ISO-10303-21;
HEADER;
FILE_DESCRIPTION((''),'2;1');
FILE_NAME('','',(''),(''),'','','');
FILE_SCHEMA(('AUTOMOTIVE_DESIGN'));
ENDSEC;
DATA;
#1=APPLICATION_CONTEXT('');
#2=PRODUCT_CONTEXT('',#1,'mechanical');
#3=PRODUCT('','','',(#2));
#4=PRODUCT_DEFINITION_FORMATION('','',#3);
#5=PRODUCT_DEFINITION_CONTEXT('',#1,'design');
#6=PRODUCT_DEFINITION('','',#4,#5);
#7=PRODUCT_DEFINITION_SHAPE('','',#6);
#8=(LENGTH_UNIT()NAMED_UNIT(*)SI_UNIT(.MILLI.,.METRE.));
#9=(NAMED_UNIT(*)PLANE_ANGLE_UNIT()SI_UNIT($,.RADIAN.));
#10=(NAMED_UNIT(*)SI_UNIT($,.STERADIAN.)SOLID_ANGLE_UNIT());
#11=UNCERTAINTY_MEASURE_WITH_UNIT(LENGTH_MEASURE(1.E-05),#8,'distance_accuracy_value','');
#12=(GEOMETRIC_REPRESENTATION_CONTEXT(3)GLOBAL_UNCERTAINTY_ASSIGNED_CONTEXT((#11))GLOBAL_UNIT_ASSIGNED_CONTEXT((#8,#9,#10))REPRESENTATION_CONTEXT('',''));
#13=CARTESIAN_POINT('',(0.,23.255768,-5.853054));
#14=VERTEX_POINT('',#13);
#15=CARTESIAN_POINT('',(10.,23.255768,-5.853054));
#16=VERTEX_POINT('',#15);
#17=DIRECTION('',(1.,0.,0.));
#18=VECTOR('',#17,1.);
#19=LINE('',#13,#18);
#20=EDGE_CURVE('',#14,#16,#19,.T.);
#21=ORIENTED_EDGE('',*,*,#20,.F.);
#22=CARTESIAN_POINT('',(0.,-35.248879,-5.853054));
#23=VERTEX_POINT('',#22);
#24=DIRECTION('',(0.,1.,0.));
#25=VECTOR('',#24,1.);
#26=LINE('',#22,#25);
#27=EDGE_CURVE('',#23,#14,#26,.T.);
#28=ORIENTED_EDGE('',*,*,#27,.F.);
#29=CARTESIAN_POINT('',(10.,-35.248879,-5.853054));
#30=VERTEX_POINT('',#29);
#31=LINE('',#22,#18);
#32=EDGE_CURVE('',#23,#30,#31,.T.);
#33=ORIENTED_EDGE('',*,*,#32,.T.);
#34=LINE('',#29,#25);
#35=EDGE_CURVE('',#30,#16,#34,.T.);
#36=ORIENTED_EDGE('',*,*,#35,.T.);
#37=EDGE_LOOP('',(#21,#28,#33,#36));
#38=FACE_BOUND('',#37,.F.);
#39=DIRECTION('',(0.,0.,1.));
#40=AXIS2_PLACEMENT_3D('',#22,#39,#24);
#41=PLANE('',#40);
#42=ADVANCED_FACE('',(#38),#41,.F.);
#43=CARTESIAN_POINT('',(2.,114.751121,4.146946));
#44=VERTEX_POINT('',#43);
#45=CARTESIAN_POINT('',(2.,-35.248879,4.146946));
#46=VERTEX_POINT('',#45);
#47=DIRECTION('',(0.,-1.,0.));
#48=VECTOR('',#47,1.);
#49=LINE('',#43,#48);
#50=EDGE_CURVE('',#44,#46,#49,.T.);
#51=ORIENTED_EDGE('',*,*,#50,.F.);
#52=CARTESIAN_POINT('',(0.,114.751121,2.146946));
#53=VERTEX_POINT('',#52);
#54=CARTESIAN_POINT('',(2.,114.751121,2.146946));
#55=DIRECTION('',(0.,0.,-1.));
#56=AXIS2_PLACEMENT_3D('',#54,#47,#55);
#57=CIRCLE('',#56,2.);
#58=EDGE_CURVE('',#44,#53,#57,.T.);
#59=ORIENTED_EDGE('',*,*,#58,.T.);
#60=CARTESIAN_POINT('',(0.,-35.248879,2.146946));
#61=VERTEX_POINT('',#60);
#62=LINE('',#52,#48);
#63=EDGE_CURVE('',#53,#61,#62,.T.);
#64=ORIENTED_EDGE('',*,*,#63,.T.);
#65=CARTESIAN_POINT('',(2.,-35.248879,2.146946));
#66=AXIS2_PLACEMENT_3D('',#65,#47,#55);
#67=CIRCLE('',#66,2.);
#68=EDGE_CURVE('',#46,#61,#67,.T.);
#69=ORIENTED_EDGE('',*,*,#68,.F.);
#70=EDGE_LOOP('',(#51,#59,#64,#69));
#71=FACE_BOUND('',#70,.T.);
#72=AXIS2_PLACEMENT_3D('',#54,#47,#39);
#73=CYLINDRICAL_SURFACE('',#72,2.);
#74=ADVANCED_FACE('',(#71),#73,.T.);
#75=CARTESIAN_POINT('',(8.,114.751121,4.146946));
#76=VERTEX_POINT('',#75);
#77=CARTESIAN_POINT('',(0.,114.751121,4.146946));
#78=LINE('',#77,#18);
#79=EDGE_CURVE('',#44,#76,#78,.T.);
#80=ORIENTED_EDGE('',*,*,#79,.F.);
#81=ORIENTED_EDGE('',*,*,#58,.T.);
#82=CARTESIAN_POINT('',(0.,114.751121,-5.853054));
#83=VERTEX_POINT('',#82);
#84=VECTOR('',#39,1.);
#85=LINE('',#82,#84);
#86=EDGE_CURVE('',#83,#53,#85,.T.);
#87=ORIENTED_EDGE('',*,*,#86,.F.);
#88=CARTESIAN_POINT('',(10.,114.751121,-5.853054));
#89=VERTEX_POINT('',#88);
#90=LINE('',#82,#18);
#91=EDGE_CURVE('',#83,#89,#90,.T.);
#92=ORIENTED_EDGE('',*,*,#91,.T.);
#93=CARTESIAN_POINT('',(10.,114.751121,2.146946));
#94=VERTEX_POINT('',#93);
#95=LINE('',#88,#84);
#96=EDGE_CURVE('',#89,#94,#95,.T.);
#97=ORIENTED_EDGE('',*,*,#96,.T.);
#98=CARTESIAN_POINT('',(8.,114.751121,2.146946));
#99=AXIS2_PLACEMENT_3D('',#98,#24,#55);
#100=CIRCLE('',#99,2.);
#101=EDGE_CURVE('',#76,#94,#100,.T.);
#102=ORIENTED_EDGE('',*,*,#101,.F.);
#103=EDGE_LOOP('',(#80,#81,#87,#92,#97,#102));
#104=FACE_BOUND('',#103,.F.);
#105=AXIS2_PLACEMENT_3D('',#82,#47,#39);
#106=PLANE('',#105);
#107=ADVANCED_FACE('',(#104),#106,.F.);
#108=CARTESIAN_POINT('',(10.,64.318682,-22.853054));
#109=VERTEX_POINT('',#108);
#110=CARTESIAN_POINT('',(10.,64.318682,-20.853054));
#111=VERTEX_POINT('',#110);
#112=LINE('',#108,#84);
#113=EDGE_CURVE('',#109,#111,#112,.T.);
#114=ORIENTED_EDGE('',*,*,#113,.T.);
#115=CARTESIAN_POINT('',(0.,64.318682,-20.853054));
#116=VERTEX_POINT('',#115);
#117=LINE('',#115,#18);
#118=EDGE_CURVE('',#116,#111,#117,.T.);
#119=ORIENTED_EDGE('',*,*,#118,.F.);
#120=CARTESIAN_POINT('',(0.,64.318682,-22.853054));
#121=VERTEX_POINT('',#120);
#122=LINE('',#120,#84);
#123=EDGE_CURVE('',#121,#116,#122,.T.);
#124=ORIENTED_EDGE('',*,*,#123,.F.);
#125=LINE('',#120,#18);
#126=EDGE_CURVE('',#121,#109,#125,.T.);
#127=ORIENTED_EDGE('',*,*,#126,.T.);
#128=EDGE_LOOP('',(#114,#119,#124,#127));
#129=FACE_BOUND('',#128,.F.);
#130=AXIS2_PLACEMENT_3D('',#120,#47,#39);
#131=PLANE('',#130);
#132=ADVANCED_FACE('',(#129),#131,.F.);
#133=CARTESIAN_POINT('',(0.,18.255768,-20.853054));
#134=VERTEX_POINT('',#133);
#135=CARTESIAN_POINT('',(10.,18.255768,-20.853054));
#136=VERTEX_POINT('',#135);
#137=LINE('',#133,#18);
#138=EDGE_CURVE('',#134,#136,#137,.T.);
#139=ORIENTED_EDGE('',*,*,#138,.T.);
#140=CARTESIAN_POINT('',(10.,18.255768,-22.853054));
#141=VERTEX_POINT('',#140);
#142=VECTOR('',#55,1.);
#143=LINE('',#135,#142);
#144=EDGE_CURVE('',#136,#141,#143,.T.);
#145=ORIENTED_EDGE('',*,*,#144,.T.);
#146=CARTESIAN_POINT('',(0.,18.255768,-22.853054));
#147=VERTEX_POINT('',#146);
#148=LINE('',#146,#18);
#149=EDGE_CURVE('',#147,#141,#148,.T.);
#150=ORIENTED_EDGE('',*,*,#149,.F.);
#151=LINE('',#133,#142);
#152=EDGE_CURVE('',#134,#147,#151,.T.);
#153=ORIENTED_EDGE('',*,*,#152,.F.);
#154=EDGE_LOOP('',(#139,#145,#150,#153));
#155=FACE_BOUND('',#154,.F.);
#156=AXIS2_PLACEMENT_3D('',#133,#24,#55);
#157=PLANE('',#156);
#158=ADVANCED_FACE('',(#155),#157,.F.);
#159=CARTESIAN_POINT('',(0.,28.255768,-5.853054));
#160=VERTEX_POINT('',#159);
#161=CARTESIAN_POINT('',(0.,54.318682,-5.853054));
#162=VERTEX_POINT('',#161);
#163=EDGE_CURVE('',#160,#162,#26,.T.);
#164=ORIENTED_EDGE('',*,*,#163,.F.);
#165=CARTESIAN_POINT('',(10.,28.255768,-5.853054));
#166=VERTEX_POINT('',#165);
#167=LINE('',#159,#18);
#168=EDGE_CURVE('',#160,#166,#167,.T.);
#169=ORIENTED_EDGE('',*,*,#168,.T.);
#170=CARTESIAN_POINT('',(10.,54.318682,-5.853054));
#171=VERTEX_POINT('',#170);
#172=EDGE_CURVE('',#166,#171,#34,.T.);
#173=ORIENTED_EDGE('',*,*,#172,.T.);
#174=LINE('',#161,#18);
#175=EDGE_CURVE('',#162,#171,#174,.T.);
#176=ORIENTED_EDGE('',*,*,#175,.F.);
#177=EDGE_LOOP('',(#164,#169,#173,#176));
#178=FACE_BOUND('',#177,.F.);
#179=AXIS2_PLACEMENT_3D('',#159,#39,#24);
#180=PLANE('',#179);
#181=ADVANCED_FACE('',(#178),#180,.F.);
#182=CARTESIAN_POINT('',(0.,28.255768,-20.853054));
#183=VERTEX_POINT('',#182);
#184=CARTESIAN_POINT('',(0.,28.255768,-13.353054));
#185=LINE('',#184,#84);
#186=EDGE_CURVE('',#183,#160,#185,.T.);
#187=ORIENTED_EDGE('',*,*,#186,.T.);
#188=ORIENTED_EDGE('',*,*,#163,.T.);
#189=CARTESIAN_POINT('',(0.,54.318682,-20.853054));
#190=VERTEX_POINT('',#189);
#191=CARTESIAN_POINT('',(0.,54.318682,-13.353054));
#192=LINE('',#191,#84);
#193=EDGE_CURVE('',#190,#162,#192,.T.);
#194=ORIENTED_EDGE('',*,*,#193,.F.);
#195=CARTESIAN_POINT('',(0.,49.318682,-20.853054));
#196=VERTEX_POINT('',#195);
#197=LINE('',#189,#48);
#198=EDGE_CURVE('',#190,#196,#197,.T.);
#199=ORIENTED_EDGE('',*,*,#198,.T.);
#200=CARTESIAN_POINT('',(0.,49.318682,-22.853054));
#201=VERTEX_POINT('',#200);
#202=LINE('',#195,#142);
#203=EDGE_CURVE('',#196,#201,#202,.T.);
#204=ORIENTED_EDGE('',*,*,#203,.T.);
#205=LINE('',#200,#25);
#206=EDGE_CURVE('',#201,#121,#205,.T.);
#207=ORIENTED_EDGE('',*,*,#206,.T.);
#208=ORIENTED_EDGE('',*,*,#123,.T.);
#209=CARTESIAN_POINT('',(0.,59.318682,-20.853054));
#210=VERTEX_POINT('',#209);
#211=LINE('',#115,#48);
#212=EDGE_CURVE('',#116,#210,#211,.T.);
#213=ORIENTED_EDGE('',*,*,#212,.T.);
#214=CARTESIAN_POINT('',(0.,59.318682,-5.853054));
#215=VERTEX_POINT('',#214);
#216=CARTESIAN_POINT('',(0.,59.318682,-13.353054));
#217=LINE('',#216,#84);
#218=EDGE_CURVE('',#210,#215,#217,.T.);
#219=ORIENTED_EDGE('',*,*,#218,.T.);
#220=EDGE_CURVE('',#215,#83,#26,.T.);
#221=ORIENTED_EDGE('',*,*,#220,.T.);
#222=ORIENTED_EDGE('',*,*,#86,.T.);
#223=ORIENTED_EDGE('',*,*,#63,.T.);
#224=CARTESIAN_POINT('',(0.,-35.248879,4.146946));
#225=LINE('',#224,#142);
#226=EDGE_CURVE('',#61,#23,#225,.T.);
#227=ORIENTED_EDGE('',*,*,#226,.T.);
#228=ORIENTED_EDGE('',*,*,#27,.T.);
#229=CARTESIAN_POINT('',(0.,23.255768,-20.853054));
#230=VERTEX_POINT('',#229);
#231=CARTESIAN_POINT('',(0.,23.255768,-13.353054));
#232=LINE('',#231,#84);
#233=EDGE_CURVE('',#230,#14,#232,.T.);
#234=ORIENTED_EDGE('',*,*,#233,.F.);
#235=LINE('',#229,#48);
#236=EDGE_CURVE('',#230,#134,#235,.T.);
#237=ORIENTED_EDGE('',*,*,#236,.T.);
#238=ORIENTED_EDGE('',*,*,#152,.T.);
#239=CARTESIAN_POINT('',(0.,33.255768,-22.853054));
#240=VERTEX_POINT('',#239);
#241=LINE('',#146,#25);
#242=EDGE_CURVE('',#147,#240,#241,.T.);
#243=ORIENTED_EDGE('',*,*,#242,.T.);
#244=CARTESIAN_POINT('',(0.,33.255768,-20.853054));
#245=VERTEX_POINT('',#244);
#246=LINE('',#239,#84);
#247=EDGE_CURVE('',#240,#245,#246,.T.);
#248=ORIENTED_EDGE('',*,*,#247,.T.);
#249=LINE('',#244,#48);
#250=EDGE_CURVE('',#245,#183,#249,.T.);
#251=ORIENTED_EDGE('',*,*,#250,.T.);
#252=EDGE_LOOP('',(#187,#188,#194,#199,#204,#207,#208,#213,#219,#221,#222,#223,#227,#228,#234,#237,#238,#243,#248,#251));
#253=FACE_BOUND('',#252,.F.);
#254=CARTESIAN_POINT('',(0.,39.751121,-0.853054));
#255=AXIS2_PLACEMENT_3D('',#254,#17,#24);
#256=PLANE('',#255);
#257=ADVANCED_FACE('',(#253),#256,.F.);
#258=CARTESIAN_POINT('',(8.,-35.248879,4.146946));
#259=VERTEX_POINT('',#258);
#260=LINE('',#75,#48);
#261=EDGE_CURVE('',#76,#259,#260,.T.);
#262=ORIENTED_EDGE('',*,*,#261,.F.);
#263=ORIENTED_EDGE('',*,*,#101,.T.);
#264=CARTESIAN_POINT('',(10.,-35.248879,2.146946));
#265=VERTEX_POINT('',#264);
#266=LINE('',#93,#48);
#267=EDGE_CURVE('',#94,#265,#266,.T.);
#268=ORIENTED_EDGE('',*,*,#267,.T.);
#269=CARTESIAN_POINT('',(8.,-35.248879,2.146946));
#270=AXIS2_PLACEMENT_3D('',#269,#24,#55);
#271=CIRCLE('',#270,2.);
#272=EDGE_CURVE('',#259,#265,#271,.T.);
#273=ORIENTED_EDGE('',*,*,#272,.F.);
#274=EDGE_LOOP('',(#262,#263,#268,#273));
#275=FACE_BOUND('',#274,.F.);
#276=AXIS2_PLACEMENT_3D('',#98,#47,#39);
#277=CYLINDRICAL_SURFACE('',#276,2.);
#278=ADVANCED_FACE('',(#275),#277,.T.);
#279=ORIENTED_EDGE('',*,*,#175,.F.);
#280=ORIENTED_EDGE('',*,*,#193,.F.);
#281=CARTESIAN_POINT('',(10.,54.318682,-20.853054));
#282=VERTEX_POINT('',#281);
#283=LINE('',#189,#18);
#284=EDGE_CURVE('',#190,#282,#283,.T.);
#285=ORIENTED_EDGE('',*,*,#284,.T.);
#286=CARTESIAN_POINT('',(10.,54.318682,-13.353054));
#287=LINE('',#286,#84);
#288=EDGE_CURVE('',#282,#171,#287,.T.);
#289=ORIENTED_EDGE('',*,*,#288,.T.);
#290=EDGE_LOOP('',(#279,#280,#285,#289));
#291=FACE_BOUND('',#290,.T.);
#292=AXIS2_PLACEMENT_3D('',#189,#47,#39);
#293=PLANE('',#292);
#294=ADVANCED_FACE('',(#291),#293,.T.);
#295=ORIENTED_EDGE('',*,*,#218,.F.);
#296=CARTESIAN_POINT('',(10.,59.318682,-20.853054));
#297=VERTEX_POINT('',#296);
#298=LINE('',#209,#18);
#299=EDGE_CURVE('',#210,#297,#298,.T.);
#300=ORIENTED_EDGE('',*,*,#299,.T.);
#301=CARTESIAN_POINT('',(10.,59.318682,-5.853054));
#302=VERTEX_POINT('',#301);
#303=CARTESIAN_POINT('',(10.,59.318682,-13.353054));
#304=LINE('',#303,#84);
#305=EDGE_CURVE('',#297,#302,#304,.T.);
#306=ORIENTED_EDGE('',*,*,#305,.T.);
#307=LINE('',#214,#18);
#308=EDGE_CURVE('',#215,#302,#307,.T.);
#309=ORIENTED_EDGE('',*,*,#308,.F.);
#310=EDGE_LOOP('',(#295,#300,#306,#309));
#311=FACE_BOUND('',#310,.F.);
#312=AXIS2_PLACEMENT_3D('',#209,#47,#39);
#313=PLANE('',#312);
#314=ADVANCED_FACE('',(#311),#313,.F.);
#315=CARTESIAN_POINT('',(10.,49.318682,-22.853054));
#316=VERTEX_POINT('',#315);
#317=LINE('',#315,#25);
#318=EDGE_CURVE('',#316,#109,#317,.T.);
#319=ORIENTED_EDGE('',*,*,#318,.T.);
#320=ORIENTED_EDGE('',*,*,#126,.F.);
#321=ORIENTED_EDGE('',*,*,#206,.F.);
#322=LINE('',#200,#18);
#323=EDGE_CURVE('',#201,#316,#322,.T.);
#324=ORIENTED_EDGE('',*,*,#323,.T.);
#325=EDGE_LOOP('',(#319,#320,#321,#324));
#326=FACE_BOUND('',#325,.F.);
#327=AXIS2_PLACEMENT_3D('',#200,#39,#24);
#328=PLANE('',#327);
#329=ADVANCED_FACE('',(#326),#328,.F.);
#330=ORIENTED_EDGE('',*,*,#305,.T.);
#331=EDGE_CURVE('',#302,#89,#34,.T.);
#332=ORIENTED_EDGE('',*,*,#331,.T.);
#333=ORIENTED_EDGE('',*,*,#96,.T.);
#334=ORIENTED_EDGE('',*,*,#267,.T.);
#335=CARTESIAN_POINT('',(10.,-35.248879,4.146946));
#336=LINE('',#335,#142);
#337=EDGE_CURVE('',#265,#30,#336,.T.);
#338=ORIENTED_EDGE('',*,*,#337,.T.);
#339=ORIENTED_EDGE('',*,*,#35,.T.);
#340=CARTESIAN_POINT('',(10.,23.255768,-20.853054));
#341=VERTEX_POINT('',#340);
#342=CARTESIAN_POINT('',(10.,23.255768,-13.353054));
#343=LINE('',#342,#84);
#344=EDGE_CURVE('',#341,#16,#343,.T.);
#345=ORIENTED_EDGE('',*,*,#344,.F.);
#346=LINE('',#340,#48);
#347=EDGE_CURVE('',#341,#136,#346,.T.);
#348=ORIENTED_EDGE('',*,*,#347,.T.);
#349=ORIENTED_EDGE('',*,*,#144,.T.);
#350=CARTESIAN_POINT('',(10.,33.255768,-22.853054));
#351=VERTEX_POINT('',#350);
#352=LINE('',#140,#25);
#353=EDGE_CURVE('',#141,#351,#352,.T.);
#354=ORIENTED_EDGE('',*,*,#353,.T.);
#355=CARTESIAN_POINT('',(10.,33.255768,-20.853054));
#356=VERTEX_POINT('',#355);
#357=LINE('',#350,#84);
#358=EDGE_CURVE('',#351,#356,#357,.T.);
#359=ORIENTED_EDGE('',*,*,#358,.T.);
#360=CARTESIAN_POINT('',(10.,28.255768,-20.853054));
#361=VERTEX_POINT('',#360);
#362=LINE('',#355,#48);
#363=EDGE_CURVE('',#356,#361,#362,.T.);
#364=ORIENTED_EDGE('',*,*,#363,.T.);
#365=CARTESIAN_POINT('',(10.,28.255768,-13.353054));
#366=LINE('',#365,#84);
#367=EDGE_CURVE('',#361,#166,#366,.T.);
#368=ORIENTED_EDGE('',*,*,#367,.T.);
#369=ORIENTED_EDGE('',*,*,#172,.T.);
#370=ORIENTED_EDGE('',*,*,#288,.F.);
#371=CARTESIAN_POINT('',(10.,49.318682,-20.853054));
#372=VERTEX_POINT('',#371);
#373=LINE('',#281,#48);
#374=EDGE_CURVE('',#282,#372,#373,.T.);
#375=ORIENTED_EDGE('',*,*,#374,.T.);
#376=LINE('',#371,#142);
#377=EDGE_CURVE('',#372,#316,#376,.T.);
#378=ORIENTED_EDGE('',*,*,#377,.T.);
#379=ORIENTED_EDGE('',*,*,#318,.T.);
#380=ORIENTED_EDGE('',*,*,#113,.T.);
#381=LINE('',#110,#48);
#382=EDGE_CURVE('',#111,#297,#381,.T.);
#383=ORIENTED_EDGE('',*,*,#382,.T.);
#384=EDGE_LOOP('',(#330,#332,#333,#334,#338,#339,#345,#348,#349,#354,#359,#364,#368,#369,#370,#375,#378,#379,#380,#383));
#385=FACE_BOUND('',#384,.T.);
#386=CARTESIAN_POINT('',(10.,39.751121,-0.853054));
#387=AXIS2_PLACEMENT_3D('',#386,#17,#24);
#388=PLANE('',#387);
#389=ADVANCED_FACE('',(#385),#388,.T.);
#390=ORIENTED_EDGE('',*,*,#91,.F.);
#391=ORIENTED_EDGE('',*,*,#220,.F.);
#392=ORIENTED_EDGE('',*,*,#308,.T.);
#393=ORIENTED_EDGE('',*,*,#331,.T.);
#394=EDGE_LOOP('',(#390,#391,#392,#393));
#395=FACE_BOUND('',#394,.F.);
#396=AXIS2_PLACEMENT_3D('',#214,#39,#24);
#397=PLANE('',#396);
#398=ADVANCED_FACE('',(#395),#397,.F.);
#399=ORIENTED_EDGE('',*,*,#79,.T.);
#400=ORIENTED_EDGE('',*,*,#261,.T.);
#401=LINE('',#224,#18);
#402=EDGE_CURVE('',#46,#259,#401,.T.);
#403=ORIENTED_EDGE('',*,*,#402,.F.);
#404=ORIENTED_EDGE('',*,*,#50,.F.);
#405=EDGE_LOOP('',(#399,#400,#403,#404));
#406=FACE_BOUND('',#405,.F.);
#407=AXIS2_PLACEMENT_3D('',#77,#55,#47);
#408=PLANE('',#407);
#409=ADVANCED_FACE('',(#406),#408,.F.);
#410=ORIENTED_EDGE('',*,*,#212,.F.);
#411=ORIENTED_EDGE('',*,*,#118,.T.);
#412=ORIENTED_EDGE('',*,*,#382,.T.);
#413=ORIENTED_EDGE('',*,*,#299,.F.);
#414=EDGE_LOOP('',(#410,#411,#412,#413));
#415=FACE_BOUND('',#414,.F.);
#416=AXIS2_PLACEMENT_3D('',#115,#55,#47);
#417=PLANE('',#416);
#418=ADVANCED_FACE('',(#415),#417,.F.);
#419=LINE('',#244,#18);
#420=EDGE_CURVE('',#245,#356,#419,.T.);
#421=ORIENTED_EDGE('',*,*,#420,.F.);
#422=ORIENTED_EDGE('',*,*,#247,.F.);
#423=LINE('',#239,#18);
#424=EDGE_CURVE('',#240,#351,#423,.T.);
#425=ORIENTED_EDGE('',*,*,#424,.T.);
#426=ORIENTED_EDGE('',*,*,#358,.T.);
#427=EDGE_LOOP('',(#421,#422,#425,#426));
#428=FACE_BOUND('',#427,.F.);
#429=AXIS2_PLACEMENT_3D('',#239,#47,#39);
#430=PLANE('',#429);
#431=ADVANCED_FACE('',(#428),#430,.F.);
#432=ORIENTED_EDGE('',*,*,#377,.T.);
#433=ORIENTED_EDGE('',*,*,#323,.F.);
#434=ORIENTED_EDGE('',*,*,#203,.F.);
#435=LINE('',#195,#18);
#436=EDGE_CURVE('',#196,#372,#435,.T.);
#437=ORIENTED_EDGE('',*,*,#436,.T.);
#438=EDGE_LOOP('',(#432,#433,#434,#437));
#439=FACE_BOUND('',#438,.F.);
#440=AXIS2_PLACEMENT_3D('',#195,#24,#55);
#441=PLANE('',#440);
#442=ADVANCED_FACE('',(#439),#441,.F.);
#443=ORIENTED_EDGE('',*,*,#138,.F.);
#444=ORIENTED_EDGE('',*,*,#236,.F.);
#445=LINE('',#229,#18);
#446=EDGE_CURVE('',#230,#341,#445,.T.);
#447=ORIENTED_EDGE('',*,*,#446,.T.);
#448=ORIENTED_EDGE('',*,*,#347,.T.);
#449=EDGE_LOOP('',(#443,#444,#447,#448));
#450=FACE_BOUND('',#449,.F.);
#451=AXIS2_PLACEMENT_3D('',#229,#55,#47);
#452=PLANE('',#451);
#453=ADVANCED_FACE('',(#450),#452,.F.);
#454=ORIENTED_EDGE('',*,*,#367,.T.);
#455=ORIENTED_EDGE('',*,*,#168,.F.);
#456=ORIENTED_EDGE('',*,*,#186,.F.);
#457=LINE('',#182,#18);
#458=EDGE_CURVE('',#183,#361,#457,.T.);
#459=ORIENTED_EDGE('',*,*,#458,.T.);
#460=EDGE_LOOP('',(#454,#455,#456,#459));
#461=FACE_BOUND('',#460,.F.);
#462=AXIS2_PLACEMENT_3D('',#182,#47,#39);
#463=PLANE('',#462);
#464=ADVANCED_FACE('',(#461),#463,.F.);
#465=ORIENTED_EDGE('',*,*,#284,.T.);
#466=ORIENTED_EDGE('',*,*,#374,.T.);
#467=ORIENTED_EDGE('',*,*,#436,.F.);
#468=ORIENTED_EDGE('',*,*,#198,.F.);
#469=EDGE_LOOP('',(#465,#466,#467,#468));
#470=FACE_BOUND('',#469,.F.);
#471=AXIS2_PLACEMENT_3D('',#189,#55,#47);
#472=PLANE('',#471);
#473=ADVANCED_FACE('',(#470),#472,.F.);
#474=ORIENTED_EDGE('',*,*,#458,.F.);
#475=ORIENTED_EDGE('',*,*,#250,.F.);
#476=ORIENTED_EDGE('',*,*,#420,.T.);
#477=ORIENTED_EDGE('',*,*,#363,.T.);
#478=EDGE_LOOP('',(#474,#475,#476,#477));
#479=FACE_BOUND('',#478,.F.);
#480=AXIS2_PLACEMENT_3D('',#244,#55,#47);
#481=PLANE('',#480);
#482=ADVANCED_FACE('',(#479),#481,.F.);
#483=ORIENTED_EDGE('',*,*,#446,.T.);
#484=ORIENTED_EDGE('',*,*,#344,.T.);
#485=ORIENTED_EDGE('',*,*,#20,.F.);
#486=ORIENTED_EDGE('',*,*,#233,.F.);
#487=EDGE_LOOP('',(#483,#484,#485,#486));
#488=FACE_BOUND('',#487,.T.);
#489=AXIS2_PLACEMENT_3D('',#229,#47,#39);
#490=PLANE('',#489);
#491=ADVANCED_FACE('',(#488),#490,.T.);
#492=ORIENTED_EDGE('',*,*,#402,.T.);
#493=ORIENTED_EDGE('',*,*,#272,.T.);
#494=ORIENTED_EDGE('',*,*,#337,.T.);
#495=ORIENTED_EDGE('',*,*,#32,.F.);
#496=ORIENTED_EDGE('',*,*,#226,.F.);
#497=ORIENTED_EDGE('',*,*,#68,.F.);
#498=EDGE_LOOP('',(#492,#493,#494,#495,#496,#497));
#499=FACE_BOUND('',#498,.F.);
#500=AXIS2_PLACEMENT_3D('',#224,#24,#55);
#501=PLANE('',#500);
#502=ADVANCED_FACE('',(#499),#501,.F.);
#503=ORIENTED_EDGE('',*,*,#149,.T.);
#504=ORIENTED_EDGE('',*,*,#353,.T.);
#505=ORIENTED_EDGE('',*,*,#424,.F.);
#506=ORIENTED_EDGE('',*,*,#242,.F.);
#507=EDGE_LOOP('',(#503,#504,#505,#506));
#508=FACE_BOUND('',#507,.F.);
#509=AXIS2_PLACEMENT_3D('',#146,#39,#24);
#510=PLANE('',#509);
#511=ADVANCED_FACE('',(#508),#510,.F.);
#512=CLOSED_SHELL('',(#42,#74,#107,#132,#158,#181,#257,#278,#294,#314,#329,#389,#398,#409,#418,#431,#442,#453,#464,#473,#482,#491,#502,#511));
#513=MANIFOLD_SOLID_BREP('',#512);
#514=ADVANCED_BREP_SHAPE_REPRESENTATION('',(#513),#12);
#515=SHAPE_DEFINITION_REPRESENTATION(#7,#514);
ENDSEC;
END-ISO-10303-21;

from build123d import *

# Parameters (mm, degrees)
F0_W     = 5
F0_H     = 15
F1_DEPTH = 10
F2_R     = 2


with BuildPart() as f1:
    # F0 (on Right) → F1 (new body)
    with BuildSketch(Plane.YZ):
        Polygon((59.318682, -5.853054), (114.751121, -5.853054), (114.751121, 4.146946), (-35.248879, 4.146946), (-35.248879, -5.853054), (23.255768, -5.853054), (28.255768, -5.853054), (54.318682, -5.853054), align=None)
        with Locations((56.818682, -13.353054)):
            Rectangle(F0_W, F0_H)
        Polygon((64.318682, -20.853054), (59.318682, -20.853054), (54.318682, -20.853054), (49.318682, -20.853054), (49.318682, -22.853054), (64.318682, -22.853054), align=None)
        with Locations((25.755768, -13.353054)):
            Rectangle(F0_W, F0_H)
        Polygon((33.255768, -20.853054), (28.255768, -20.853054), (23.255768, -20.853054), (18.255768, -20.853054), (18.255768, -22.853054), (33.255768, -22.853054), align=None)
    extrude(amount=F1_DEPTH)

    # F2
    f2_edges = [f1.edges().sort_by_distance(p)[0] for p in [
        (10, 39.751121, 4.146946),
        (0, 39.751121, 4.146946),
    ]]
    fillet(f2_edges, radius=F2_R)


solid = f1.part
